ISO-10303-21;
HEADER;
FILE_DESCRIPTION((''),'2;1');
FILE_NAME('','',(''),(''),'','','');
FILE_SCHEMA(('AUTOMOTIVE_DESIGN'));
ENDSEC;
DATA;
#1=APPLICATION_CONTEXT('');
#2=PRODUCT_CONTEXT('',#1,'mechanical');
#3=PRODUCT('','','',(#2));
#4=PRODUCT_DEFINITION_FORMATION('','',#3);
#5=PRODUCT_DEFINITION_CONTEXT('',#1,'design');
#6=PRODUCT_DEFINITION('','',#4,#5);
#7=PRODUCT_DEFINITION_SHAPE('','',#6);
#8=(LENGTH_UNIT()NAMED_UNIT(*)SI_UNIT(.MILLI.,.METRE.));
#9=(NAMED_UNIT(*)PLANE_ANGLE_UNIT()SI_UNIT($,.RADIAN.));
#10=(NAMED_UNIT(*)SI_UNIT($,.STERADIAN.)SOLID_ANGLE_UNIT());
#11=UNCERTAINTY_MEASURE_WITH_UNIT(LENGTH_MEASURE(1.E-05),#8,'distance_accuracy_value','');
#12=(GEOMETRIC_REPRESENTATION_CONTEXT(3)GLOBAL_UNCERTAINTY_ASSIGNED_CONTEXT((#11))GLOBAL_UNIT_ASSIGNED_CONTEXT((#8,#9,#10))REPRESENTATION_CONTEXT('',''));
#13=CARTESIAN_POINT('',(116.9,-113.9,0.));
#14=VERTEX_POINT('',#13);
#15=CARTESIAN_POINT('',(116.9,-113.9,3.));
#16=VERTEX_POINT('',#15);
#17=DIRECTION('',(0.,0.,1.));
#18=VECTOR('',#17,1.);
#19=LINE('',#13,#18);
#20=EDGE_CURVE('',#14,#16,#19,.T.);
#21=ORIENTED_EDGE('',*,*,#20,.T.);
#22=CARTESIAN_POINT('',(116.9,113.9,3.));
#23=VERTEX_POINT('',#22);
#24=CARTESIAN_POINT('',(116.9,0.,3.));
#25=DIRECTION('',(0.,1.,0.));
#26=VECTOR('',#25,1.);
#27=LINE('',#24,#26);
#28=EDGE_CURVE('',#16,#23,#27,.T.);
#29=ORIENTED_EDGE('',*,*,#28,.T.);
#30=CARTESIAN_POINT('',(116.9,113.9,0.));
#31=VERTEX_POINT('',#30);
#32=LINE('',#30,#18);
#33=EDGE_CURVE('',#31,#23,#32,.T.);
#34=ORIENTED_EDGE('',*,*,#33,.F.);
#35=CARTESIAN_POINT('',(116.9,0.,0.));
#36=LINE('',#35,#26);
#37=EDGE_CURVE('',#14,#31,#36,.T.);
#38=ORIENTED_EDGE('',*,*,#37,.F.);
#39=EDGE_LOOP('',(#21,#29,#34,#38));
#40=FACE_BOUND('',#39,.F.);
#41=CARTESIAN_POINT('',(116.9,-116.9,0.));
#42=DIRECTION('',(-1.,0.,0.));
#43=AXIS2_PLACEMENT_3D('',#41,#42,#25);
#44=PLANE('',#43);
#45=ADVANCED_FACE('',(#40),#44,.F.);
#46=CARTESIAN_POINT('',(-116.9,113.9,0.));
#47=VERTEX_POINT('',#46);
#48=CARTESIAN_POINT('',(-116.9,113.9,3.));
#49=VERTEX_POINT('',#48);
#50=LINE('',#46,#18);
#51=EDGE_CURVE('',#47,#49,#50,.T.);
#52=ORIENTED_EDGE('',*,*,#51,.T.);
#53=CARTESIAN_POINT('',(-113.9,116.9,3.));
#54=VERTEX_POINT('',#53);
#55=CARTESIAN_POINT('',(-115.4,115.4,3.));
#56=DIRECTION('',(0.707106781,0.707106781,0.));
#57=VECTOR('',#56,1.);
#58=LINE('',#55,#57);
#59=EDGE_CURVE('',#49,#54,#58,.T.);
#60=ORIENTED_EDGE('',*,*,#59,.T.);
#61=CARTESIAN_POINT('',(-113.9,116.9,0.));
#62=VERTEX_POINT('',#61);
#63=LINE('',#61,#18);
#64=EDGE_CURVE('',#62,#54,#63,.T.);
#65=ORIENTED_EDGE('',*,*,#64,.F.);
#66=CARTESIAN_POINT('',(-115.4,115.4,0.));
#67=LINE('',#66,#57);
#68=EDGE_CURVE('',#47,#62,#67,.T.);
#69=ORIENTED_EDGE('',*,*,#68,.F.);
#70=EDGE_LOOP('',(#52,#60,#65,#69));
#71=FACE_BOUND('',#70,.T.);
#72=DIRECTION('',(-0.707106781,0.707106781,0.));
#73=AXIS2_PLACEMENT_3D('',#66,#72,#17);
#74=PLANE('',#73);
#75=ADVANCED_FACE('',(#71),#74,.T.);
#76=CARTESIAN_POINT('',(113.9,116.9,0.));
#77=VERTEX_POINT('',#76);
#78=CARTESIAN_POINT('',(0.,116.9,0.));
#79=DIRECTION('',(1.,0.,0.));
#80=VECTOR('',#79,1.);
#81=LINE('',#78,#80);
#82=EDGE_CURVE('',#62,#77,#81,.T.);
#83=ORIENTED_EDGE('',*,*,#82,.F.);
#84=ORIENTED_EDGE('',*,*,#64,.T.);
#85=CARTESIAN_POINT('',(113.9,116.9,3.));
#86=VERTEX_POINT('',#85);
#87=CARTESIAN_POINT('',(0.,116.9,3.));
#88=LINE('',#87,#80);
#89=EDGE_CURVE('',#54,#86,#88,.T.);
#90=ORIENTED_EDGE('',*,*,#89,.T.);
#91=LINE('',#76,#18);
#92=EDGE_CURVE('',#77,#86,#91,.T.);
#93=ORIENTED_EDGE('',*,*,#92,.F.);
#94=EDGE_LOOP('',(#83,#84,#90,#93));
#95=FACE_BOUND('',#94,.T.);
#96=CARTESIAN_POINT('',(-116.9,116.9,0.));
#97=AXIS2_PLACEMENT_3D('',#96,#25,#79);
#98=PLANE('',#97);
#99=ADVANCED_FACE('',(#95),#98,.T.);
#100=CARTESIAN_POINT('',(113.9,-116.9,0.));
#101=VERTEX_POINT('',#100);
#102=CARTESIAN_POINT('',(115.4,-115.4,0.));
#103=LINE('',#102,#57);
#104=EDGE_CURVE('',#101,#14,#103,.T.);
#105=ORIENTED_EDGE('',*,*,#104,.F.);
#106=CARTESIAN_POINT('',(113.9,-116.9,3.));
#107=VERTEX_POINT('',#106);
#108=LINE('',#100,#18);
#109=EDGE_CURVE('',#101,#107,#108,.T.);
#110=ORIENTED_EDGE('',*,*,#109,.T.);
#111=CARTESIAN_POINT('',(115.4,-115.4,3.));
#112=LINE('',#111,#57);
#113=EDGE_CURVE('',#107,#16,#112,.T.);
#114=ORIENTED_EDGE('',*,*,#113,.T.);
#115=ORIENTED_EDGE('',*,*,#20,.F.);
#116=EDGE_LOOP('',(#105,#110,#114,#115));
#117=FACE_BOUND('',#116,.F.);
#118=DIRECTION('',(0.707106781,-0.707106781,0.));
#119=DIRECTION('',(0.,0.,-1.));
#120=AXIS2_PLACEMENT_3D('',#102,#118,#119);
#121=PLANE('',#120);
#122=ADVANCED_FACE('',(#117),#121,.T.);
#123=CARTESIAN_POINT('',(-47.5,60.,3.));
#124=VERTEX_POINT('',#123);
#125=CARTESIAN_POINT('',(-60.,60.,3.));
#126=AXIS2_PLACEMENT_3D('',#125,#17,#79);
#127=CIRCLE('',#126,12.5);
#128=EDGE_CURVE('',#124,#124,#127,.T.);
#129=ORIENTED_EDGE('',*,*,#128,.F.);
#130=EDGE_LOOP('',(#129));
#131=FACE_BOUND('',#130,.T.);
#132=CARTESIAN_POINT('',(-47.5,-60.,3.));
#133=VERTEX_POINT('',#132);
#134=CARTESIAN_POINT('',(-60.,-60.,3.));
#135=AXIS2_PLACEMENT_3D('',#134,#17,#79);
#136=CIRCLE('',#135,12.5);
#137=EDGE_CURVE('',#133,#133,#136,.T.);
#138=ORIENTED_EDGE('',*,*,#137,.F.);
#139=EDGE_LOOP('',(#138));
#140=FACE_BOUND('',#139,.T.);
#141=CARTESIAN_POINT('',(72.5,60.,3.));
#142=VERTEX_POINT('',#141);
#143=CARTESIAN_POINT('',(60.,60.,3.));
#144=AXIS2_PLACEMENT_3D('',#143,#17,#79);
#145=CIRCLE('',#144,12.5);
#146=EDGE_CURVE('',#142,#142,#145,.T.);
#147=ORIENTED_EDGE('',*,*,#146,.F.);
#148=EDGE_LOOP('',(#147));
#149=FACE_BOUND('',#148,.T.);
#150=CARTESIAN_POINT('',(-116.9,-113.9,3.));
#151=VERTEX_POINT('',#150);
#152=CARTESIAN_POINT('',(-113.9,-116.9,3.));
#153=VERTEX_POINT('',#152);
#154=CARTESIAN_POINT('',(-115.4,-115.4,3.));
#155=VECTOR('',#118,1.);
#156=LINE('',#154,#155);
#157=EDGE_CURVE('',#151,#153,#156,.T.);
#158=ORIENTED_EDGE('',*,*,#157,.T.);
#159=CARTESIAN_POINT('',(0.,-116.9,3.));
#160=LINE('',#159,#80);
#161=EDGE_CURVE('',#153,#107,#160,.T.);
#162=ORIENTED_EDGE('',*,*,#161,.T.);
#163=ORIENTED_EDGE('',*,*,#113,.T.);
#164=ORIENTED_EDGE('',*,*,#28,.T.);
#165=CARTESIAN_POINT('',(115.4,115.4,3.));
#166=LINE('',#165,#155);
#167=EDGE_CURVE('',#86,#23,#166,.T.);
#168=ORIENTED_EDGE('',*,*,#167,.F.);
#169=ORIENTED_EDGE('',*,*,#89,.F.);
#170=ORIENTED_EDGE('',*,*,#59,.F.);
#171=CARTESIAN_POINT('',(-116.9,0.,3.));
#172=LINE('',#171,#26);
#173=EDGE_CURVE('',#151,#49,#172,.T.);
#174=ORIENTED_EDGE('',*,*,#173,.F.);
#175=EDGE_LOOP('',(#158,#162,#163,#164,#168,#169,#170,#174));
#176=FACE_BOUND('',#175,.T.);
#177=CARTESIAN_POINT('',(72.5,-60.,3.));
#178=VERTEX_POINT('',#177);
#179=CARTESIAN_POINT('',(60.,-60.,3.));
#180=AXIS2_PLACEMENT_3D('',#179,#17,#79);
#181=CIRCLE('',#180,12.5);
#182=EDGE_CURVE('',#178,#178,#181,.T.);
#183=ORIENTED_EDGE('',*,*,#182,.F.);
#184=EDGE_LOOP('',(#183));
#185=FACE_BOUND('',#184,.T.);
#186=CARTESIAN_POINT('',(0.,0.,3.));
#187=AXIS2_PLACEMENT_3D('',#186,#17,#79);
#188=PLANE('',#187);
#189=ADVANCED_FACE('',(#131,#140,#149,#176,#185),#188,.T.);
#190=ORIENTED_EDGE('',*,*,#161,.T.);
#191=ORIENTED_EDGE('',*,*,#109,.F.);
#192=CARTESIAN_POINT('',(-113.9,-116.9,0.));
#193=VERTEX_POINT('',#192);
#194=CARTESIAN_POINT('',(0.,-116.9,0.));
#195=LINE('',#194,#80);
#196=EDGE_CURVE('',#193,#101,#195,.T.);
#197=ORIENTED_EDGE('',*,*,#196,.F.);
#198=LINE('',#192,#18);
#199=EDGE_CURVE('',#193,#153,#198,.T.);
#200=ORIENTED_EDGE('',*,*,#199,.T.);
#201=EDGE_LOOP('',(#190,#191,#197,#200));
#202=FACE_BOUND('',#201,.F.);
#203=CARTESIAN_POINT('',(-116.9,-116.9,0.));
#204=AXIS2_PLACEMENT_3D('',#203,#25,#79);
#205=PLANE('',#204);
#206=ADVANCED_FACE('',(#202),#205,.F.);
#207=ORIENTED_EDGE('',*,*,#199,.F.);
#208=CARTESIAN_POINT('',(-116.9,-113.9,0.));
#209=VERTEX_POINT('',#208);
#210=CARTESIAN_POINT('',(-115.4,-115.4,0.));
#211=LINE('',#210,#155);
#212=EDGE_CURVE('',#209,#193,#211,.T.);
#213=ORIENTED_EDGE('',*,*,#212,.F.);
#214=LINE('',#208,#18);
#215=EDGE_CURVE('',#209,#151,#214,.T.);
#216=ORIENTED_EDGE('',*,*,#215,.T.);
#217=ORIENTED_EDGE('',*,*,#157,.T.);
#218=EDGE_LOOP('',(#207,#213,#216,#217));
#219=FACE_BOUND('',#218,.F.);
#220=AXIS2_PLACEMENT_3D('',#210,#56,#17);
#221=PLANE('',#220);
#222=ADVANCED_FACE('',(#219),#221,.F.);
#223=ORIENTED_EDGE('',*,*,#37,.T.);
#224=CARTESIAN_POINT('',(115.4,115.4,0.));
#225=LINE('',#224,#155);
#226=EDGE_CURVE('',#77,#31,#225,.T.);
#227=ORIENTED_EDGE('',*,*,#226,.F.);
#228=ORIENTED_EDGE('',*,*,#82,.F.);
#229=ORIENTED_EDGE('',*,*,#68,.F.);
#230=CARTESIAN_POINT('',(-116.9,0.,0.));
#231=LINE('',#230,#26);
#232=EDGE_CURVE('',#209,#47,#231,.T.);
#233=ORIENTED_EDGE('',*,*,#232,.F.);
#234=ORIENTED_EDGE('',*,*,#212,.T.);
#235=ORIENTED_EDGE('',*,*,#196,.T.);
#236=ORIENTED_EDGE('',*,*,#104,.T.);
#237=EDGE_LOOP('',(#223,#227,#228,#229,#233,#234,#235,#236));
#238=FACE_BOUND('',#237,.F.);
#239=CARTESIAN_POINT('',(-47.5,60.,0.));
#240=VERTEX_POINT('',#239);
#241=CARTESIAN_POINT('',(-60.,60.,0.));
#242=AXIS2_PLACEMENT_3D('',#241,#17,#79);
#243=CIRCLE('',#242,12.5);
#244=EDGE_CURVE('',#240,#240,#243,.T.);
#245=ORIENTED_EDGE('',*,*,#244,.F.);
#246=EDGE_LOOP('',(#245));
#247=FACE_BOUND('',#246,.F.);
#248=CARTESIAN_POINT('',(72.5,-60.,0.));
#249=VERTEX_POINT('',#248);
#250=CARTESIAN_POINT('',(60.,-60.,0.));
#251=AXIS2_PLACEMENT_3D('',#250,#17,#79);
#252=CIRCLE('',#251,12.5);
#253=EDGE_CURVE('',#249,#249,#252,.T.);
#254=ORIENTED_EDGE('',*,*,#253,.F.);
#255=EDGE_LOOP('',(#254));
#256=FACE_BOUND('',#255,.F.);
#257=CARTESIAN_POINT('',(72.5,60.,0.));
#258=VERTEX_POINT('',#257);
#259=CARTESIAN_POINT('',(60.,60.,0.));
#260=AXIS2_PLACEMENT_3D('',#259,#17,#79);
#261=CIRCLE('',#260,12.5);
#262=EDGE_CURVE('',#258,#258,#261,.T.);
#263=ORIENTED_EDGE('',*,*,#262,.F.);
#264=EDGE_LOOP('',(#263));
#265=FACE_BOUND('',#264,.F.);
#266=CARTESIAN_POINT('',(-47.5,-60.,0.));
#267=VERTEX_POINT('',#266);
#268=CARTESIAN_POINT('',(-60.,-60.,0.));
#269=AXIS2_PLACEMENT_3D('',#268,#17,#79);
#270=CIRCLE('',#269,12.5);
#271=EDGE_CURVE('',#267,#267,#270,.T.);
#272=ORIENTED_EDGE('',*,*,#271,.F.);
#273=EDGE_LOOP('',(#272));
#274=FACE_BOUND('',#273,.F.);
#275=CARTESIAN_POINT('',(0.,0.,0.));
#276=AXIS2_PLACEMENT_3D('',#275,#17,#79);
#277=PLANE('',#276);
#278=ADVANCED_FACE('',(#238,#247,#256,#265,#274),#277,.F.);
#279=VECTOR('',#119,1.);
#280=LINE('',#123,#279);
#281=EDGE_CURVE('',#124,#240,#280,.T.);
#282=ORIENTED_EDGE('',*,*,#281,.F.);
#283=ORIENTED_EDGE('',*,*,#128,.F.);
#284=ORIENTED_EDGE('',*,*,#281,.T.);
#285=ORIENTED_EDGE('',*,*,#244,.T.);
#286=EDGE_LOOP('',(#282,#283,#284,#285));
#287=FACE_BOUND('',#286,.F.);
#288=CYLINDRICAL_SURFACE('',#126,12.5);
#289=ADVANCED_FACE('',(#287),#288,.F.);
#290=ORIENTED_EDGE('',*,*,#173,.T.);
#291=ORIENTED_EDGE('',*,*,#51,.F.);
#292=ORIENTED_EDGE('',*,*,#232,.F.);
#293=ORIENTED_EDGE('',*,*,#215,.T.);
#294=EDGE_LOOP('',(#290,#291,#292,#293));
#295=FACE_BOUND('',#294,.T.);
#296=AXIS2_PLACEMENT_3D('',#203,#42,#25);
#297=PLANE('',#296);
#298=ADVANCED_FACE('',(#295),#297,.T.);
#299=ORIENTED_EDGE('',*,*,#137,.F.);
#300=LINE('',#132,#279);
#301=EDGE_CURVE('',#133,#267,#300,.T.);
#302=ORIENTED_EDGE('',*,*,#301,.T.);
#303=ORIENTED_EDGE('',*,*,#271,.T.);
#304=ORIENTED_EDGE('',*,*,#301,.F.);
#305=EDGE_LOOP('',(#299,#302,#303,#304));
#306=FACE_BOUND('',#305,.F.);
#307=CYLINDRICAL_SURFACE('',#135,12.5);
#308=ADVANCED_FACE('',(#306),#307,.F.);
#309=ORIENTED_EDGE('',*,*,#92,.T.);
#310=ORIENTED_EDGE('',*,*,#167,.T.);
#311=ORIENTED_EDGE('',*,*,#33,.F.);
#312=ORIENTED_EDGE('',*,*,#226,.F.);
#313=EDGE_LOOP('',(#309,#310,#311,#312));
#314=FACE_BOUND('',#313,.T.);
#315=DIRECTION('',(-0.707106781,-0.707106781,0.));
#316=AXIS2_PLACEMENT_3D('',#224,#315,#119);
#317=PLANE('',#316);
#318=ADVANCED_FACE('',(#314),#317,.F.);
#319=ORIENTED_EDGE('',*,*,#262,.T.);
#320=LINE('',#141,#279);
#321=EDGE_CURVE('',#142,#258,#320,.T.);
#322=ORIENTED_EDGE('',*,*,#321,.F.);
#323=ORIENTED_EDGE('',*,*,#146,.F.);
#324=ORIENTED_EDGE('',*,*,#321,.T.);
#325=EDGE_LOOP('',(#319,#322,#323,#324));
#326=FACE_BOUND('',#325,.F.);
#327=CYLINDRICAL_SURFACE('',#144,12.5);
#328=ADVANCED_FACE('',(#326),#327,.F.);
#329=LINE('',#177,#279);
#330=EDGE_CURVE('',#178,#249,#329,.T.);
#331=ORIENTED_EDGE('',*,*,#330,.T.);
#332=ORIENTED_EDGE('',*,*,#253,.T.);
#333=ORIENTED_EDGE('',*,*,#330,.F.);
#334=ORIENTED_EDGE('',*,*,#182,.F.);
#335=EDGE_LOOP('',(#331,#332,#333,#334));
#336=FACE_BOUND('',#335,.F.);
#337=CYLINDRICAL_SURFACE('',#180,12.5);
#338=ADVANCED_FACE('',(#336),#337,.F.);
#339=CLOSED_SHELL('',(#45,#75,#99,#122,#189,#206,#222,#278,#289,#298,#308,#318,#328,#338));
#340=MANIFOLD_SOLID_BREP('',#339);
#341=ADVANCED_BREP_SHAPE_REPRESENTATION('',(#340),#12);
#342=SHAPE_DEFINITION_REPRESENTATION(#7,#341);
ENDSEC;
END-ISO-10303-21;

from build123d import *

# Parameters (mm, degrees)
F0_W     = 233.8
F0_H     = 233.8
F1_DEPTH = 3
F2_R     = 12.5
F3_DEPTH = 3.001
F4_SIZE  = 3


with BuildPart() as f1:
    # F0 (on Top) → F1 (new body)
    with BuildSketch(Plane.XY):
        Rectangle(F0_W, F0_H)
    extrude(amount=F1_DEPTH)

    # F2 (on face) → F3 (cut, through all)
    with BuildSketch(Plane.XY.offset(3)):
        with Locations((-60, 60)):
            Circle(F2_R)
        with Locations((-60, -60)):
            Circle(F2_R)
        with Locations((60, -60)):
            Circle(F2_R)
        with Locations((60, 60)):
            Circle(F2_R)
    extrude(amount=-F3_DEPTH, mode=Mode.SUBTRACT)

    # F4
    f4_edges = [f1.edges().sort_by_distance(p)[0] for p in [
        (116.9, 116.9, 1.5),
        (-116.9, 116.9, 1.5),
        (116.9, -116.9, 1.5),
        (-116.9, -116.9, 1.5),
    ]]
    chamfer(f4_edges, length=F4_SIZE)


solid = f1.part
